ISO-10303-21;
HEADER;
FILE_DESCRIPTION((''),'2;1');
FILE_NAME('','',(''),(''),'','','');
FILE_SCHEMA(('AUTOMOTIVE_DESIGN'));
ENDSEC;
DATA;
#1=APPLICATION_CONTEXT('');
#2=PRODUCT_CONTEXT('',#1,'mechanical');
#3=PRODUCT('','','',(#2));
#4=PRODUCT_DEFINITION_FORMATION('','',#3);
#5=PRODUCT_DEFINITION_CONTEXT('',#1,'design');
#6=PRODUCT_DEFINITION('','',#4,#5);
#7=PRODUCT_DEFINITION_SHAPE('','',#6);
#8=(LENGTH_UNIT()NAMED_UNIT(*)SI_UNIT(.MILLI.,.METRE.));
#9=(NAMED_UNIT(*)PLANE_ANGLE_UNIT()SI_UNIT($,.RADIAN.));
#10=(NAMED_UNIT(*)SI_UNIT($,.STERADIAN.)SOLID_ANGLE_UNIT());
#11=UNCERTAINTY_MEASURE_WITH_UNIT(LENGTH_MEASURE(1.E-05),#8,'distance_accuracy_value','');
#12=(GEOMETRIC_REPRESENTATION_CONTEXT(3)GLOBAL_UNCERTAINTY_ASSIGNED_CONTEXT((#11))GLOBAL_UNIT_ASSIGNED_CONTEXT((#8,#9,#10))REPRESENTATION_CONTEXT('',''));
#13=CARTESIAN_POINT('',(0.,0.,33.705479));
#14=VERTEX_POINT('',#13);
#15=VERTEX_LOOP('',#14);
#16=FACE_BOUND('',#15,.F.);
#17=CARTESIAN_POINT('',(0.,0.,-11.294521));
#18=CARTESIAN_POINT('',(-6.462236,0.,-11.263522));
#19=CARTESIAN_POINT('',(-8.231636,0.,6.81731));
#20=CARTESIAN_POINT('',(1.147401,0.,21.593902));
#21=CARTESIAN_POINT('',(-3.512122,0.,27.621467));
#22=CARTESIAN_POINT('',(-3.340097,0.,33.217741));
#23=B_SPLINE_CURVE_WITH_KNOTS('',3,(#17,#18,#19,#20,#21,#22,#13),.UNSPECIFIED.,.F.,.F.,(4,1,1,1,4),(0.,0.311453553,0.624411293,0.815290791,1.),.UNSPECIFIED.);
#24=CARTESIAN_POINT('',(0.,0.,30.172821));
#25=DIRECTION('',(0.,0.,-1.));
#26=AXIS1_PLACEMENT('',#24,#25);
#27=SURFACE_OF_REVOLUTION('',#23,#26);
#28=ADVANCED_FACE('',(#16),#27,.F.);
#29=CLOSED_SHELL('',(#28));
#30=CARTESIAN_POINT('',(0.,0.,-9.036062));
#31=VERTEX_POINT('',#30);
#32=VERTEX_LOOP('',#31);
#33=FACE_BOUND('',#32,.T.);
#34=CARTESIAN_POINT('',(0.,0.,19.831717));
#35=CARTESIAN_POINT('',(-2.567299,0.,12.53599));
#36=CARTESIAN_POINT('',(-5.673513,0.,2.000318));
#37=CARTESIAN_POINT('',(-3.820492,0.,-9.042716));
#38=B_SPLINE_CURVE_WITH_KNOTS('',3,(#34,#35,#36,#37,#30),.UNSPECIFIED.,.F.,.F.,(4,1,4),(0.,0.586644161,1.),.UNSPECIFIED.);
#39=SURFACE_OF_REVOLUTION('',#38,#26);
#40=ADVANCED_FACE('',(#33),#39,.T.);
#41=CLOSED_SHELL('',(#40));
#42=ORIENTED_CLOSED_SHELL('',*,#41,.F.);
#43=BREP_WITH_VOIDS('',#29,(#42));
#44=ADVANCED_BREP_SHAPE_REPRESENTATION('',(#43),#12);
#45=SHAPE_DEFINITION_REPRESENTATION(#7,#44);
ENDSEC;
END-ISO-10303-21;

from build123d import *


with BuildPart() as f1:
    # F0 (on Front) → F1 (revolve)
    with BuildSketch(Plane.XZ):
        with BuildLine():
            add(Edge.make_bspline(
                [(0, -11.2945209744), (-6.4622364007, -11.2635223195), (-8.2316358455, 6.8173097504), (1.1474011038, 21.5939015863), (-3.5121223146, 27.6214671153), (-3.3400971491, 33.2177409067), (0, 33.7054790256)],
                knots=[0, 0, 0, 0, 0.3114535534, 0.6244112925, 0.8152907911, 1, 1, 1, 1], degree=3))
            Line((0, -11.2945209744), (0, -9.0360622853))
            add(Edge.make_bspline(
                [(0, 19.8317170143), (-2.5672985773, 12.5359903919), (-5.673512587, 2.0003181446), (-3.8204924203, -9.0427156538), (0, -9.0360622853)],
                knots=[0, 0, 0, 0, 0.5866441613, 1, 1, 1, 1], degree=3))
            Line((0, 19.8317170143), (0, 33.7054790256))
        make_face()
    revolve(axis=Axis((0, 0, 30.1728209905), (0, 0, -1)))


solid = f1.part
